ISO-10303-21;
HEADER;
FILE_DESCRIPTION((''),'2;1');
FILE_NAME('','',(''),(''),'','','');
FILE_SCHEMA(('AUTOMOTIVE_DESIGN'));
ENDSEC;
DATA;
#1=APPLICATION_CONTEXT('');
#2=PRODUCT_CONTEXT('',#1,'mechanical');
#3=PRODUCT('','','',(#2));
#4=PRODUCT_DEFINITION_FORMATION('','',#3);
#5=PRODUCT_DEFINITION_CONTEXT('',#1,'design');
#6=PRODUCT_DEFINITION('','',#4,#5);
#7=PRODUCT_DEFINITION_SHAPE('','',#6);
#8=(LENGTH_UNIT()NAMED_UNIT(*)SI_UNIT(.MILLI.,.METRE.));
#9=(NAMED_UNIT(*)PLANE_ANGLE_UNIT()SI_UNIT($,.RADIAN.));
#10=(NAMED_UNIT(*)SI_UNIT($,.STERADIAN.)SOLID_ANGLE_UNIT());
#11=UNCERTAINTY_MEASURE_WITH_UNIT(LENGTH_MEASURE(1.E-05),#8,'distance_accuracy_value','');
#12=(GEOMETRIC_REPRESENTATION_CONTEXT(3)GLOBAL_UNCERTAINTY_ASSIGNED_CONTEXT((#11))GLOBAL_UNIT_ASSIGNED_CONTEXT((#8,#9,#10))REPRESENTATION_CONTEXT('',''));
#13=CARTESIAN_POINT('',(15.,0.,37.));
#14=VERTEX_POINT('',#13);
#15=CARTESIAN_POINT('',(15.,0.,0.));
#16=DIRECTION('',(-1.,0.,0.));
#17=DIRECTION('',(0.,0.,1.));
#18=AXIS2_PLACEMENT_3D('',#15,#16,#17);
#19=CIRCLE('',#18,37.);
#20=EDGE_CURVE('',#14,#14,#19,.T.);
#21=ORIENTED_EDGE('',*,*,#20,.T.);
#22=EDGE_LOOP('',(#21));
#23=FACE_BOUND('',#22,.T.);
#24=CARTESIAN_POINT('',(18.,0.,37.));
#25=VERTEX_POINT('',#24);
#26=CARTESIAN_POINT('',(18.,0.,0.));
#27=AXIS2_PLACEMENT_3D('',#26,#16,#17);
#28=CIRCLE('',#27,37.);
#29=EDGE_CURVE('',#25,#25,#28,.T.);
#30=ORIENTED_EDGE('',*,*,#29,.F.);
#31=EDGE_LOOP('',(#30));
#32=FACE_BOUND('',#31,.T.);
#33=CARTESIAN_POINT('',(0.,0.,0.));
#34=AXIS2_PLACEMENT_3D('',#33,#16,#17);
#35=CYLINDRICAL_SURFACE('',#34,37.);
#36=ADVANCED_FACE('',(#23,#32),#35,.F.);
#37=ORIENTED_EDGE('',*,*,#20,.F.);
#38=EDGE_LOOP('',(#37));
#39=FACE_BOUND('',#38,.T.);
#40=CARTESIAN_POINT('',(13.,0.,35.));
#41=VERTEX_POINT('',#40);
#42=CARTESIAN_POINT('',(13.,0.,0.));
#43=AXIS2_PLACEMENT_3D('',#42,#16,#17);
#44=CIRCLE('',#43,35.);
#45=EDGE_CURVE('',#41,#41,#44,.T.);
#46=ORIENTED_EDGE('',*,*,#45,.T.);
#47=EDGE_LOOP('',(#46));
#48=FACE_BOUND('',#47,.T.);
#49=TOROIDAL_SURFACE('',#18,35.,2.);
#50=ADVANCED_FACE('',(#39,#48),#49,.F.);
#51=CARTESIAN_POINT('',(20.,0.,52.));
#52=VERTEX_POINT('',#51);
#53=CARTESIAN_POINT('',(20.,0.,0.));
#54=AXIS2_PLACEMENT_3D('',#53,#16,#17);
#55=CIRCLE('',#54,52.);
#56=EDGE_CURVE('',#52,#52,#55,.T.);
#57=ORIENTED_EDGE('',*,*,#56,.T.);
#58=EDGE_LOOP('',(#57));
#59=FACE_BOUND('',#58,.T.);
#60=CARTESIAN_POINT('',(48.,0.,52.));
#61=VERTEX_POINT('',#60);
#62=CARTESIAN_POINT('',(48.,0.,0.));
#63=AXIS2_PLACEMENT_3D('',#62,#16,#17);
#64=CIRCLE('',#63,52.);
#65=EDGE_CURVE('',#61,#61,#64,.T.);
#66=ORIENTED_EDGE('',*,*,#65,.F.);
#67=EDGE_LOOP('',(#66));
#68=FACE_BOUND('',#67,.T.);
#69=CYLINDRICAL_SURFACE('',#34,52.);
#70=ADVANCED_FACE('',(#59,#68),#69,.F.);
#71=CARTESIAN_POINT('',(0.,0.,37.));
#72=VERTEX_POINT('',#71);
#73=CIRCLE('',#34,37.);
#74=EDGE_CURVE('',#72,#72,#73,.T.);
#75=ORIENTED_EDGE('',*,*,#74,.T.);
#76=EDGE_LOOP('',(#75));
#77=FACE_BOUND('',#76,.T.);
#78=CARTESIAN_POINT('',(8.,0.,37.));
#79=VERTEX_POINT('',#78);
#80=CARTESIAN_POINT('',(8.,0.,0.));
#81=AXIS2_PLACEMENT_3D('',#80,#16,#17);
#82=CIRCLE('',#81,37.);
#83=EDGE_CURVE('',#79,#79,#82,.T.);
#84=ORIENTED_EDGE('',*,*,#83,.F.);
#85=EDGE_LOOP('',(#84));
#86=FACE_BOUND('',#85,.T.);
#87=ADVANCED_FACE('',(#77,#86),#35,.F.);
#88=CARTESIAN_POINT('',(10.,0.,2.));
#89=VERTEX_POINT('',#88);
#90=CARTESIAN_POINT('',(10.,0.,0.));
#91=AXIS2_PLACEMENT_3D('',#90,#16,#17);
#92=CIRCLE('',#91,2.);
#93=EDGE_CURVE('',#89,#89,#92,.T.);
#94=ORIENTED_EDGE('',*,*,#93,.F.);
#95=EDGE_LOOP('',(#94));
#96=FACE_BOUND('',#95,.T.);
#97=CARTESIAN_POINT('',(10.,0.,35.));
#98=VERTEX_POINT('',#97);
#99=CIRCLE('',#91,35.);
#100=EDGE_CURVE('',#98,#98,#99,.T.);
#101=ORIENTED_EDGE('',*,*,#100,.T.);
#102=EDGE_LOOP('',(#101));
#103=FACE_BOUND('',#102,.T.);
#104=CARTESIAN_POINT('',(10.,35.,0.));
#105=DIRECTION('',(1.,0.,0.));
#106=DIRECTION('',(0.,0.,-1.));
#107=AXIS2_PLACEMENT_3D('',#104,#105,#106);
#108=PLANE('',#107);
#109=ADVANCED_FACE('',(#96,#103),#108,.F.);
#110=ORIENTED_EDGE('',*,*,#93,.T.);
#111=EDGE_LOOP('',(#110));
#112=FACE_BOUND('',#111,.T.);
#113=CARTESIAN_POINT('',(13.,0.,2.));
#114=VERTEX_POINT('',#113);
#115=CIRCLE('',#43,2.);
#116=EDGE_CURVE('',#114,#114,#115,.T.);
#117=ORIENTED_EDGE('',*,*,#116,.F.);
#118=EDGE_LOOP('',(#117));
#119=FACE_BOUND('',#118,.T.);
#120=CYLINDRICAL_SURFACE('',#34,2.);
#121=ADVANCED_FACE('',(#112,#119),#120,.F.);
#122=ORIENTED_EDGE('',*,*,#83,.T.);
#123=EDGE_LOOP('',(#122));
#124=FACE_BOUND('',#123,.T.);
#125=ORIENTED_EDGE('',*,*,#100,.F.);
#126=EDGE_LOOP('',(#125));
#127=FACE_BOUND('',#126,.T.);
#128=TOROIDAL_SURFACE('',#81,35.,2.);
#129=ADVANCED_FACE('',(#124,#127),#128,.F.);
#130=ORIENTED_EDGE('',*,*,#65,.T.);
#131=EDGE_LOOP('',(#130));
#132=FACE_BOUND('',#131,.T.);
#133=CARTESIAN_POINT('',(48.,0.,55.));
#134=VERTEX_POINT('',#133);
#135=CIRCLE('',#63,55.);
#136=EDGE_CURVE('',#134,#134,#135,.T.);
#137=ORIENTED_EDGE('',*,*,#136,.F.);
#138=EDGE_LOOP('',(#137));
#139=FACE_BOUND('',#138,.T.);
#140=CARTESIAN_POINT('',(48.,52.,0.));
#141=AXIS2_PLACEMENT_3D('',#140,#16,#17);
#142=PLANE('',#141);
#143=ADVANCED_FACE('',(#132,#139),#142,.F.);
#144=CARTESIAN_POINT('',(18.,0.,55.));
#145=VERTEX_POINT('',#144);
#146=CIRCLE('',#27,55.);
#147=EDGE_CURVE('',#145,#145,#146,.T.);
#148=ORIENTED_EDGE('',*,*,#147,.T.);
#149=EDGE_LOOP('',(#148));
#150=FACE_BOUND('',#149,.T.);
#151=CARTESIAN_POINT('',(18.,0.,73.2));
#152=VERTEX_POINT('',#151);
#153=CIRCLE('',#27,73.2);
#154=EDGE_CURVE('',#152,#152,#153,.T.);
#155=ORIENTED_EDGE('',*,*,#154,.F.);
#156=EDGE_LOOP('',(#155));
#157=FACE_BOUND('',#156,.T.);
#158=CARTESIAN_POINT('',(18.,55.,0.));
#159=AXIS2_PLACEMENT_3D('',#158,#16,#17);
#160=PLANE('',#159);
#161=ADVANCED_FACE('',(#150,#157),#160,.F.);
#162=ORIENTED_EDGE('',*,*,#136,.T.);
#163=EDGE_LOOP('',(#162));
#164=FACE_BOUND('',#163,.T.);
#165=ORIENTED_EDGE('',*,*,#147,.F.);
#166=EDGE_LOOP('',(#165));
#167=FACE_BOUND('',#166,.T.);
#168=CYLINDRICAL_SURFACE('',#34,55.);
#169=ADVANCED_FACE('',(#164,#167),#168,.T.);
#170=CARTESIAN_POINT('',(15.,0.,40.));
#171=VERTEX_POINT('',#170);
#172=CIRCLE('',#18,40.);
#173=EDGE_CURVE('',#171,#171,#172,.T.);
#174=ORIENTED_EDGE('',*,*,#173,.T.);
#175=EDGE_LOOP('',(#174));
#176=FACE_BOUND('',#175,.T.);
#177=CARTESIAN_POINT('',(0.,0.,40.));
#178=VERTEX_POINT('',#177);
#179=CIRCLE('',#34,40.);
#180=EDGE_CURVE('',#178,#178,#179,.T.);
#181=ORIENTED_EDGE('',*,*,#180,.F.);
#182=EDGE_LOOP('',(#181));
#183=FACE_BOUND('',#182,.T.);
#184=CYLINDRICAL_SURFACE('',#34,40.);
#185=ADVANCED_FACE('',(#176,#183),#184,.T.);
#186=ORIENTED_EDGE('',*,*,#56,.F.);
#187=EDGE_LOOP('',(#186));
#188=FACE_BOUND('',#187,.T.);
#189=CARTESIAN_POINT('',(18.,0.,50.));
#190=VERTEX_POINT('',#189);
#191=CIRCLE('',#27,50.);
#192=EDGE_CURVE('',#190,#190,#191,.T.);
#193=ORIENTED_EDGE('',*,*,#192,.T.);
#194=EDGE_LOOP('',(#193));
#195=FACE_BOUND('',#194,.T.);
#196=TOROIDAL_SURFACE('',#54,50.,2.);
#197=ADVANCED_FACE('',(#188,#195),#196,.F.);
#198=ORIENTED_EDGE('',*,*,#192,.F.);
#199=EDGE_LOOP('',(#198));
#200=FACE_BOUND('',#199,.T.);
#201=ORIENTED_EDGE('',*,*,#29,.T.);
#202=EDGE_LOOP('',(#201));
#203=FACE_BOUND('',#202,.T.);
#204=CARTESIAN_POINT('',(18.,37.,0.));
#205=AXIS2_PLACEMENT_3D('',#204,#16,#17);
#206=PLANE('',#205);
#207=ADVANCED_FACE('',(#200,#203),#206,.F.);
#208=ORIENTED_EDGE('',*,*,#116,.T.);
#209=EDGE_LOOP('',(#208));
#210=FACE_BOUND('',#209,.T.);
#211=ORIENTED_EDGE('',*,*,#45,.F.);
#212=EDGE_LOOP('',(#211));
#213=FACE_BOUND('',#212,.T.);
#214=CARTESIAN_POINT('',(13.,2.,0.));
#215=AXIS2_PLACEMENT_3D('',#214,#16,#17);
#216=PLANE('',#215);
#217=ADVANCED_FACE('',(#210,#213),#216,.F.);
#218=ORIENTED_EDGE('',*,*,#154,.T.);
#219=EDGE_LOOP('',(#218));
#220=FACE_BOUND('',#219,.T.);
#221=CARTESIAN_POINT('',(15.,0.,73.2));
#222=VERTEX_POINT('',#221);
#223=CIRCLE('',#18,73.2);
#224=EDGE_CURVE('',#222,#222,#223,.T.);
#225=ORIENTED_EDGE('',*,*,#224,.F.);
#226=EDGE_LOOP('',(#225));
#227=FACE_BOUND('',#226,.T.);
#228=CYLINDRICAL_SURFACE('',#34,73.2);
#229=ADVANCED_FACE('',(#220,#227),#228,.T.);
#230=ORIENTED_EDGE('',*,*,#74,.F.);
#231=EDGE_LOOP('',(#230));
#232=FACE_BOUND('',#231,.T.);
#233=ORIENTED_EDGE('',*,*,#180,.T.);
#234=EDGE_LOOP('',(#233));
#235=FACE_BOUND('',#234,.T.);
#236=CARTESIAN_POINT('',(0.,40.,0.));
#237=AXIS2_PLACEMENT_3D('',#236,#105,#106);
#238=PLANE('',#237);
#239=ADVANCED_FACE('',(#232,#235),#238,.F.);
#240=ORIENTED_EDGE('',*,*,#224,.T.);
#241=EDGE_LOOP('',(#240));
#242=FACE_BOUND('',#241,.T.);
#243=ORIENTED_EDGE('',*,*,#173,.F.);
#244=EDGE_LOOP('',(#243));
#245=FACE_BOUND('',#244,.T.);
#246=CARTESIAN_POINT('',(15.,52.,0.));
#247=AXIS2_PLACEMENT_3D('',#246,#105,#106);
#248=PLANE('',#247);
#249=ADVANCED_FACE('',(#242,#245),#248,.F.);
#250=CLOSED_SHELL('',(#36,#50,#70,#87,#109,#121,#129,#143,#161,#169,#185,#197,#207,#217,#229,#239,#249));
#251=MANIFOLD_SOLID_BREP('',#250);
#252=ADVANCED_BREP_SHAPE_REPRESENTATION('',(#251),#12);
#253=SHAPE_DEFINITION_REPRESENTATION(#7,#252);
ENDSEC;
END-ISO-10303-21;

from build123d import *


with BuildPart() as part:
    # Sketch1 → Revolve1 (revolve)
    with BuildSketch(Plane.XY, mode=Mode.PRIVATE) as revolve1_sk:
        with BuildLine():
            Line((0, 40), (0, 37))
            Line((0, 37), (8, 37))
            ThreePointArc((8, 37), (9.414213562, 36.414213562), (10, 35))
            Line((10, 35), (10, 2))
            Line((10, 2), (13, 2))
            Line((13, 2), (13, 35))
            ThreePointArc((13, 35), (13.585786438, 36.414213562), (15, 37))
            Line((15, 37), (18, 37))
            Line((18, 37), (18, 50))
            ThreePointArc((18, 50), (18.585786438, 51.414213562), (20, 52))
            Line((20, 52), (48, 52))
            Line((48, 52), (48, 55))
            Line((48, 55), (18, 55))
            Line((18, 55), (18, 73.2))
            Line((18, 73.2), (15, 73.2))
            Line((15, 73.2), (15, 52))
            Line((15, 52), (15, 40))
            Line((15, 40), (0, 40))
        make_face()
    revolve(revolve1_sk.sketch.rotate(Axis((0, 0, 0), (1, 0, 0)), 90), axis=Axis((0, 0, 0), (1, 0, 0)))


solid = part.part
